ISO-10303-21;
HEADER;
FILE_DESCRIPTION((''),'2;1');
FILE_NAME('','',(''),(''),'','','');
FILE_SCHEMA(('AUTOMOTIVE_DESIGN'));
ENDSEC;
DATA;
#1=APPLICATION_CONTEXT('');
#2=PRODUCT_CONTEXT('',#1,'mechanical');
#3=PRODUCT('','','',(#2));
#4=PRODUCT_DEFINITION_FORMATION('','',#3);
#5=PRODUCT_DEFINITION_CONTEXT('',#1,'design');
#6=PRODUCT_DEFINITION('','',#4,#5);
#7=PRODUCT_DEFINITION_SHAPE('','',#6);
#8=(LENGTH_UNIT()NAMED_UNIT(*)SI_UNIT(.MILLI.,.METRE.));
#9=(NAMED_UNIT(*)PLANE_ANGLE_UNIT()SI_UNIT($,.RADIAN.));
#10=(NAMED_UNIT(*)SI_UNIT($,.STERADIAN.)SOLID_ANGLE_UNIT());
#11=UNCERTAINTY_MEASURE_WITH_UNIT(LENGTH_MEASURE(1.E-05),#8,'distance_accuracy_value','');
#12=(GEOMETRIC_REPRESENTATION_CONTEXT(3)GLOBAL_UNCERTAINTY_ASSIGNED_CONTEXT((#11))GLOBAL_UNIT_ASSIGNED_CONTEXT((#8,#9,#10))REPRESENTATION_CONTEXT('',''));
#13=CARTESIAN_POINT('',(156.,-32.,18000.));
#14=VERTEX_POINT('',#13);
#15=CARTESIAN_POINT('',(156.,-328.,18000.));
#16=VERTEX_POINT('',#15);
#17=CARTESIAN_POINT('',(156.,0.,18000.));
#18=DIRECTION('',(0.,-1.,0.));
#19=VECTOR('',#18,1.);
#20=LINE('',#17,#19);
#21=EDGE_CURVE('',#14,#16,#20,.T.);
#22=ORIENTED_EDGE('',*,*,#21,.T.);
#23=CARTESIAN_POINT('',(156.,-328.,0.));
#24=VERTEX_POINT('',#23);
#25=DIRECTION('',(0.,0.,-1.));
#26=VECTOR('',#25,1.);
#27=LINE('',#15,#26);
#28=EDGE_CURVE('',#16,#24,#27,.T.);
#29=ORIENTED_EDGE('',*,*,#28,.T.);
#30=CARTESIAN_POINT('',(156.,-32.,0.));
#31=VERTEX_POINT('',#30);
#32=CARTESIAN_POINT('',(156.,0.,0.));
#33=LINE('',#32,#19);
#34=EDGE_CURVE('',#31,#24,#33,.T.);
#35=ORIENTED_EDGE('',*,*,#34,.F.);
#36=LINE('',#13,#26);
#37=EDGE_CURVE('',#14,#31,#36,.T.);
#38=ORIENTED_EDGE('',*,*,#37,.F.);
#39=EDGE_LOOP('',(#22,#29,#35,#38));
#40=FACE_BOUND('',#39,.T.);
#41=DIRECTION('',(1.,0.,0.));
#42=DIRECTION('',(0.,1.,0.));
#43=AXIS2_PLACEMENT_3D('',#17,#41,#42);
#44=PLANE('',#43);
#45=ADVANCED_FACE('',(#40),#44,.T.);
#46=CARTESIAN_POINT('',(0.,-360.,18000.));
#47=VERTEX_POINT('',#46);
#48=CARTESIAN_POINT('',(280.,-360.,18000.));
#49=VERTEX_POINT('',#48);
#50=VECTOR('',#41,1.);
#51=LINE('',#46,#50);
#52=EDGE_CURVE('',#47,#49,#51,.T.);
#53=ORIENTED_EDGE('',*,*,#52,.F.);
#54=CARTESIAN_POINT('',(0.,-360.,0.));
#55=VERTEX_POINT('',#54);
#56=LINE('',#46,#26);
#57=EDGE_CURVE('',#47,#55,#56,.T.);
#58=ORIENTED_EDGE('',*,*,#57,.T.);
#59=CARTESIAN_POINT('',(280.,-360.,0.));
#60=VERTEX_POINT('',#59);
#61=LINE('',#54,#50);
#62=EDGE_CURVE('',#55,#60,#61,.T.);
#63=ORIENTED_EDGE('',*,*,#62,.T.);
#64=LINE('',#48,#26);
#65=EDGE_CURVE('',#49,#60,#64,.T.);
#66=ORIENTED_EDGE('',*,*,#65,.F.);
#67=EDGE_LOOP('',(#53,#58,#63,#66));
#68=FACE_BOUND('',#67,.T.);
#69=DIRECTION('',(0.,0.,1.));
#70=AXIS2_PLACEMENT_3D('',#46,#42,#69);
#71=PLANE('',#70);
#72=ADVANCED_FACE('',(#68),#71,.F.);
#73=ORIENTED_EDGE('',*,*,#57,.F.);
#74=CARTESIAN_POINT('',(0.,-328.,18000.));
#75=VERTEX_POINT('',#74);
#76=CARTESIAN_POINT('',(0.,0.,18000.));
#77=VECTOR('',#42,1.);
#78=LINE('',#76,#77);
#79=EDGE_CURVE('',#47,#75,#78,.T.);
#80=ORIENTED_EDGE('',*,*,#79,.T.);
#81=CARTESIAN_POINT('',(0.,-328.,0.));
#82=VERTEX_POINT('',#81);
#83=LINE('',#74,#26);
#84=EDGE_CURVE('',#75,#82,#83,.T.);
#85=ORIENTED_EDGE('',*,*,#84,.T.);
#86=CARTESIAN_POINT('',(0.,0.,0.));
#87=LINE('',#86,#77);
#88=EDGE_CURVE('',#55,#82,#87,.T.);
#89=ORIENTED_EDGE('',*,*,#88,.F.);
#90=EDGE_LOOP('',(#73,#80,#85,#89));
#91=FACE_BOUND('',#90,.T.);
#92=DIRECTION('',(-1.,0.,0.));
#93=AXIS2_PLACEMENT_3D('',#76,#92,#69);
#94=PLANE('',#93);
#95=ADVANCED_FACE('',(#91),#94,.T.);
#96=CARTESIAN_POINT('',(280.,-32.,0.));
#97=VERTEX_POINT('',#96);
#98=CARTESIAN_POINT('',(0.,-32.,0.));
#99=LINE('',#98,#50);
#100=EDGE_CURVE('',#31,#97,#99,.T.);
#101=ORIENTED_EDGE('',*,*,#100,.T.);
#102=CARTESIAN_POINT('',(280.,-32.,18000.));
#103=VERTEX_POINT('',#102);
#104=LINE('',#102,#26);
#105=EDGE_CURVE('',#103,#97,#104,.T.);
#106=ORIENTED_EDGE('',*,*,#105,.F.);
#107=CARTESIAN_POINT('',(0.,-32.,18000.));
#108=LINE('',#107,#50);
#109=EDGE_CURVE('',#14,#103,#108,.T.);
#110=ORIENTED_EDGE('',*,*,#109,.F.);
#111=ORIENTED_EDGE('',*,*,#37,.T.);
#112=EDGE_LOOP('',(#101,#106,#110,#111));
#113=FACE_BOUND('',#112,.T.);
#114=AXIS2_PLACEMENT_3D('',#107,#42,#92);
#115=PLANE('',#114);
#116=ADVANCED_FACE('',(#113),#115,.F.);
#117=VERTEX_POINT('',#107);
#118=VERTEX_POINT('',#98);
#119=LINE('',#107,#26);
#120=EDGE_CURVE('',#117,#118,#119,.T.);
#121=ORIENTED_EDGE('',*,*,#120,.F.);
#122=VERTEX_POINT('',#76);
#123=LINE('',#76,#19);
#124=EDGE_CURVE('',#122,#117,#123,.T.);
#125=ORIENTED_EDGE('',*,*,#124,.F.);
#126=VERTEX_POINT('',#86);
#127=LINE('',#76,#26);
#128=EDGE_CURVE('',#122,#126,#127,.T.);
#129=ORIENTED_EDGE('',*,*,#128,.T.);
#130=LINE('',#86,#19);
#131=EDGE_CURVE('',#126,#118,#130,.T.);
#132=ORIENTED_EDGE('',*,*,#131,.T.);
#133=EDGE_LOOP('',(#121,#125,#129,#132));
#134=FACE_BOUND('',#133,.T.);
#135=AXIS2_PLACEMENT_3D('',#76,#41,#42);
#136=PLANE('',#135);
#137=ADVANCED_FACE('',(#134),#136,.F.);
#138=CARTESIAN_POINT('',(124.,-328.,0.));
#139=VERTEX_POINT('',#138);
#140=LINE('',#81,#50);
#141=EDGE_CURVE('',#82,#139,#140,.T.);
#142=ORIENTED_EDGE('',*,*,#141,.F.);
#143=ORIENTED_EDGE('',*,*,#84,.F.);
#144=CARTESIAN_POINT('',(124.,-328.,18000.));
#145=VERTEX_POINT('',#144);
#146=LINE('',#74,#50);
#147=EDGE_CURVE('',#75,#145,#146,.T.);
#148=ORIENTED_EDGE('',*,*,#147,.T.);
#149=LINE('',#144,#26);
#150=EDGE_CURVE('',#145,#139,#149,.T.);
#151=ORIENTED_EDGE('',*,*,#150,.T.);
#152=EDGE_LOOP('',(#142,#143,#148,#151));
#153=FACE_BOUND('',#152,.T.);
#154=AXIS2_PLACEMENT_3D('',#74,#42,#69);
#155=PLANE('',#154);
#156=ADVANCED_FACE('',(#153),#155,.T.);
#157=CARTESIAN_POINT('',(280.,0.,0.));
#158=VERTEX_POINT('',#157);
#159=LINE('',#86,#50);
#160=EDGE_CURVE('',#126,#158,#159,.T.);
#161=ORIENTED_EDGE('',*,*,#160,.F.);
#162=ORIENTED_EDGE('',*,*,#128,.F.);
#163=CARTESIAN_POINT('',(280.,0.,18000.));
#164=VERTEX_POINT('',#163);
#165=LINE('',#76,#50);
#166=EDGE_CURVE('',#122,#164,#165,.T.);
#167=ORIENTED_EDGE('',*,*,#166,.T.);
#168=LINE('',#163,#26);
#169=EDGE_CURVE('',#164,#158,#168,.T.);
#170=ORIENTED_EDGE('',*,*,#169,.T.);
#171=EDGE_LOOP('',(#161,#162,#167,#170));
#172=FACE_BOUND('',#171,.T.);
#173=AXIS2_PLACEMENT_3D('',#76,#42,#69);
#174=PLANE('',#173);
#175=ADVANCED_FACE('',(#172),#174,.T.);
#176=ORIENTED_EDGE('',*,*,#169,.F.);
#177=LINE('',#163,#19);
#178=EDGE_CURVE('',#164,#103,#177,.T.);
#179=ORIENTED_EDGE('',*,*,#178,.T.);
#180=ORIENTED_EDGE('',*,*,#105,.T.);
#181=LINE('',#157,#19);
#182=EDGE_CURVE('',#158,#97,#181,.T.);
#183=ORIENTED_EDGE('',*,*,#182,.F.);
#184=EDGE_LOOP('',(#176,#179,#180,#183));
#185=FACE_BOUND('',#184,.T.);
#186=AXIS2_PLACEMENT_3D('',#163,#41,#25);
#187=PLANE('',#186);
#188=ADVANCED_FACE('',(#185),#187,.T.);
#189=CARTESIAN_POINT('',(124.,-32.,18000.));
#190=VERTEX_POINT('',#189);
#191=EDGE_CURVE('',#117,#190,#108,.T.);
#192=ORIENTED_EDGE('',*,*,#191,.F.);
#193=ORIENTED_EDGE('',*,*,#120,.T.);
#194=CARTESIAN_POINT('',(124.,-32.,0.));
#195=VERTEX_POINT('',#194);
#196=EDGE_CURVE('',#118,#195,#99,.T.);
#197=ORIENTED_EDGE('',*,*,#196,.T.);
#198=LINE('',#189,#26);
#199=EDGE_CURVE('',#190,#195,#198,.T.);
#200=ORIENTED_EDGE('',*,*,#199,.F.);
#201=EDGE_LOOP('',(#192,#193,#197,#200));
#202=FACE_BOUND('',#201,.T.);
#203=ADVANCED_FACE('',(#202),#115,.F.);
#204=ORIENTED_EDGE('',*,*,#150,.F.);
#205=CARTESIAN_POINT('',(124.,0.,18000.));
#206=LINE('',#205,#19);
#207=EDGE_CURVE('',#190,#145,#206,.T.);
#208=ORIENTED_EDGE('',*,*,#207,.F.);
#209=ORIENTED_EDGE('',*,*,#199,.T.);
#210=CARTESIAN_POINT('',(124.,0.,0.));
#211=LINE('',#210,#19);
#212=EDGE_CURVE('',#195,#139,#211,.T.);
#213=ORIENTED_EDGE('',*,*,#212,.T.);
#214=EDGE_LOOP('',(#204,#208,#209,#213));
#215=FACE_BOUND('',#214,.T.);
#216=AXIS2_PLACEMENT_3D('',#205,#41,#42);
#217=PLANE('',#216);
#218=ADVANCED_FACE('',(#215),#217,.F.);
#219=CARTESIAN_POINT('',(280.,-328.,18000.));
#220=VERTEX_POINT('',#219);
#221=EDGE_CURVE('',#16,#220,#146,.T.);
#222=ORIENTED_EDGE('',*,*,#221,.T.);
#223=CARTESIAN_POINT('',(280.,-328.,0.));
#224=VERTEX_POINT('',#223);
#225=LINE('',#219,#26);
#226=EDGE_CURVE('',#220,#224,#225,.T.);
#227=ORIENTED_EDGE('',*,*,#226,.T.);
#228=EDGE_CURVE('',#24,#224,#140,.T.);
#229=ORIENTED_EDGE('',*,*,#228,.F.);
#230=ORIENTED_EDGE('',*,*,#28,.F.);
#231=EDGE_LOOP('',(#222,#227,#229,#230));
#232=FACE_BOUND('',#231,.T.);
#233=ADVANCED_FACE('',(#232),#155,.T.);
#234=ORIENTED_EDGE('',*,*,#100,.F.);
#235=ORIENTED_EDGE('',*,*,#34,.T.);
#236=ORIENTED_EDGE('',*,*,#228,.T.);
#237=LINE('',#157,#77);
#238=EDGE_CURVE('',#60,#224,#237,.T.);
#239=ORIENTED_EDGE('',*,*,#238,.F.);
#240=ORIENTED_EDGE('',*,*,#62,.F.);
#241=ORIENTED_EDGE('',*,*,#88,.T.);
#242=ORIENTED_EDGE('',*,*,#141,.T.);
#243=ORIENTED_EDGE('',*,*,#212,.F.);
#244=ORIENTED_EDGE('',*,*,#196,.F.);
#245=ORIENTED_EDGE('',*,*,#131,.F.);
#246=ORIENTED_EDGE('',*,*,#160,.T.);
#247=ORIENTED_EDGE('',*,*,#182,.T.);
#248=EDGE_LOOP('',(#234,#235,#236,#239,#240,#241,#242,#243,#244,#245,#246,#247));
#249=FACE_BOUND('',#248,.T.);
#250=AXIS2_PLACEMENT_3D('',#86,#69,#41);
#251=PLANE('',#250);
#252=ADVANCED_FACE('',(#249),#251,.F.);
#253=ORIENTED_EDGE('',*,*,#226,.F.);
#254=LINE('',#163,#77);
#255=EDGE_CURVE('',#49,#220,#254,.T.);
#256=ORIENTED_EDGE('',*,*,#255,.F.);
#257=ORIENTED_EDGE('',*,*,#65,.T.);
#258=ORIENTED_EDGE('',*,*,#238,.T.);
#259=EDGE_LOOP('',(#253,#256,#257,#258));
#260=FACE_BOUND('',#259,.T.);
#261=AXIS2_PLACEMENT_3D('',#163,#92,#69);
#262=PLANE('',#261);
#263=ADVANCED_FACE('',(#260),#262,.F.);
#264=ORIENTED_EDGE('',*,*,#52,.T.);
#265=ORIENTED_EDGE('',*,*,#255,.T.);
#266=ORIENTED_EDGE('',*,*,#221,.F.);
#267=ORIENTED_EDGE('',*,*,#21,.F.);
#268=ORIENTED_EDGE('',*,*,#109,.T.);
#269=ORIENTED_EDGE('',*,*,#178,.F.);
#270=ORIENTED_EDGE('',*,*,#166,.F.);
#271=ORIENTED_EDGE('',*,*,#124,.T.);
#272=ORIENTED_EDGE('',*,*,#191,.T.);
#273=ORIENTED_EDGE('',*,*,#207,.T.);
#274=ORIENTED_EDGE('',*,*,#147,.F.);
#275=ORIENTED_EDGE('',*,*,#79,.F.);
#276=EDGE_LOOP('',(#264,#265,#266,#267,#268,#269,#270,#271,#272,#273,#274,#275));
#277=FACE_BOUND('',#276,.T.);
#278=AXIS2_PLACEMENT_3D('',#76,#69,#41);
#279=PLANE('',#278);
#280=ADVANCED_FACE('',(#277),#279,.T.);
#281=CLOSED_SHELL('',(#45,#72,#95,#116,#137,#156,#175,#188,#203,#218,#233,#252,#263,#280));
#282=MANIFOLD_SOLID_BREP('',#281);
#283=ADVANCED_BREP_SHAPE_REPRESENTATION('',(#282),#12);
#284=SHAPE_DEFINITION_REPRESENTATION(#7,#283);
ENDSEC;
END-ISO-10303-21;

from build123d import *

# Parameters (mm, degrees)
BOSS_EXTRUDE1_DEPTH = 18000


with BuildPart() as part:
    # Sketch1 → Boss-Extrude1 (new body)
    with BuildSketch(Plane.XY):
        Polygon((156, -328), (280, -328), (280, -360), (0, -360), (0, -328), (124, -328), (124, -32), (0, -32), (0, 0), (280, 0), (280, -32), (156, -32), align=None)
    extrude(amount=BOSS_EXTRUDE1_DEPTH)


solid = part.part
